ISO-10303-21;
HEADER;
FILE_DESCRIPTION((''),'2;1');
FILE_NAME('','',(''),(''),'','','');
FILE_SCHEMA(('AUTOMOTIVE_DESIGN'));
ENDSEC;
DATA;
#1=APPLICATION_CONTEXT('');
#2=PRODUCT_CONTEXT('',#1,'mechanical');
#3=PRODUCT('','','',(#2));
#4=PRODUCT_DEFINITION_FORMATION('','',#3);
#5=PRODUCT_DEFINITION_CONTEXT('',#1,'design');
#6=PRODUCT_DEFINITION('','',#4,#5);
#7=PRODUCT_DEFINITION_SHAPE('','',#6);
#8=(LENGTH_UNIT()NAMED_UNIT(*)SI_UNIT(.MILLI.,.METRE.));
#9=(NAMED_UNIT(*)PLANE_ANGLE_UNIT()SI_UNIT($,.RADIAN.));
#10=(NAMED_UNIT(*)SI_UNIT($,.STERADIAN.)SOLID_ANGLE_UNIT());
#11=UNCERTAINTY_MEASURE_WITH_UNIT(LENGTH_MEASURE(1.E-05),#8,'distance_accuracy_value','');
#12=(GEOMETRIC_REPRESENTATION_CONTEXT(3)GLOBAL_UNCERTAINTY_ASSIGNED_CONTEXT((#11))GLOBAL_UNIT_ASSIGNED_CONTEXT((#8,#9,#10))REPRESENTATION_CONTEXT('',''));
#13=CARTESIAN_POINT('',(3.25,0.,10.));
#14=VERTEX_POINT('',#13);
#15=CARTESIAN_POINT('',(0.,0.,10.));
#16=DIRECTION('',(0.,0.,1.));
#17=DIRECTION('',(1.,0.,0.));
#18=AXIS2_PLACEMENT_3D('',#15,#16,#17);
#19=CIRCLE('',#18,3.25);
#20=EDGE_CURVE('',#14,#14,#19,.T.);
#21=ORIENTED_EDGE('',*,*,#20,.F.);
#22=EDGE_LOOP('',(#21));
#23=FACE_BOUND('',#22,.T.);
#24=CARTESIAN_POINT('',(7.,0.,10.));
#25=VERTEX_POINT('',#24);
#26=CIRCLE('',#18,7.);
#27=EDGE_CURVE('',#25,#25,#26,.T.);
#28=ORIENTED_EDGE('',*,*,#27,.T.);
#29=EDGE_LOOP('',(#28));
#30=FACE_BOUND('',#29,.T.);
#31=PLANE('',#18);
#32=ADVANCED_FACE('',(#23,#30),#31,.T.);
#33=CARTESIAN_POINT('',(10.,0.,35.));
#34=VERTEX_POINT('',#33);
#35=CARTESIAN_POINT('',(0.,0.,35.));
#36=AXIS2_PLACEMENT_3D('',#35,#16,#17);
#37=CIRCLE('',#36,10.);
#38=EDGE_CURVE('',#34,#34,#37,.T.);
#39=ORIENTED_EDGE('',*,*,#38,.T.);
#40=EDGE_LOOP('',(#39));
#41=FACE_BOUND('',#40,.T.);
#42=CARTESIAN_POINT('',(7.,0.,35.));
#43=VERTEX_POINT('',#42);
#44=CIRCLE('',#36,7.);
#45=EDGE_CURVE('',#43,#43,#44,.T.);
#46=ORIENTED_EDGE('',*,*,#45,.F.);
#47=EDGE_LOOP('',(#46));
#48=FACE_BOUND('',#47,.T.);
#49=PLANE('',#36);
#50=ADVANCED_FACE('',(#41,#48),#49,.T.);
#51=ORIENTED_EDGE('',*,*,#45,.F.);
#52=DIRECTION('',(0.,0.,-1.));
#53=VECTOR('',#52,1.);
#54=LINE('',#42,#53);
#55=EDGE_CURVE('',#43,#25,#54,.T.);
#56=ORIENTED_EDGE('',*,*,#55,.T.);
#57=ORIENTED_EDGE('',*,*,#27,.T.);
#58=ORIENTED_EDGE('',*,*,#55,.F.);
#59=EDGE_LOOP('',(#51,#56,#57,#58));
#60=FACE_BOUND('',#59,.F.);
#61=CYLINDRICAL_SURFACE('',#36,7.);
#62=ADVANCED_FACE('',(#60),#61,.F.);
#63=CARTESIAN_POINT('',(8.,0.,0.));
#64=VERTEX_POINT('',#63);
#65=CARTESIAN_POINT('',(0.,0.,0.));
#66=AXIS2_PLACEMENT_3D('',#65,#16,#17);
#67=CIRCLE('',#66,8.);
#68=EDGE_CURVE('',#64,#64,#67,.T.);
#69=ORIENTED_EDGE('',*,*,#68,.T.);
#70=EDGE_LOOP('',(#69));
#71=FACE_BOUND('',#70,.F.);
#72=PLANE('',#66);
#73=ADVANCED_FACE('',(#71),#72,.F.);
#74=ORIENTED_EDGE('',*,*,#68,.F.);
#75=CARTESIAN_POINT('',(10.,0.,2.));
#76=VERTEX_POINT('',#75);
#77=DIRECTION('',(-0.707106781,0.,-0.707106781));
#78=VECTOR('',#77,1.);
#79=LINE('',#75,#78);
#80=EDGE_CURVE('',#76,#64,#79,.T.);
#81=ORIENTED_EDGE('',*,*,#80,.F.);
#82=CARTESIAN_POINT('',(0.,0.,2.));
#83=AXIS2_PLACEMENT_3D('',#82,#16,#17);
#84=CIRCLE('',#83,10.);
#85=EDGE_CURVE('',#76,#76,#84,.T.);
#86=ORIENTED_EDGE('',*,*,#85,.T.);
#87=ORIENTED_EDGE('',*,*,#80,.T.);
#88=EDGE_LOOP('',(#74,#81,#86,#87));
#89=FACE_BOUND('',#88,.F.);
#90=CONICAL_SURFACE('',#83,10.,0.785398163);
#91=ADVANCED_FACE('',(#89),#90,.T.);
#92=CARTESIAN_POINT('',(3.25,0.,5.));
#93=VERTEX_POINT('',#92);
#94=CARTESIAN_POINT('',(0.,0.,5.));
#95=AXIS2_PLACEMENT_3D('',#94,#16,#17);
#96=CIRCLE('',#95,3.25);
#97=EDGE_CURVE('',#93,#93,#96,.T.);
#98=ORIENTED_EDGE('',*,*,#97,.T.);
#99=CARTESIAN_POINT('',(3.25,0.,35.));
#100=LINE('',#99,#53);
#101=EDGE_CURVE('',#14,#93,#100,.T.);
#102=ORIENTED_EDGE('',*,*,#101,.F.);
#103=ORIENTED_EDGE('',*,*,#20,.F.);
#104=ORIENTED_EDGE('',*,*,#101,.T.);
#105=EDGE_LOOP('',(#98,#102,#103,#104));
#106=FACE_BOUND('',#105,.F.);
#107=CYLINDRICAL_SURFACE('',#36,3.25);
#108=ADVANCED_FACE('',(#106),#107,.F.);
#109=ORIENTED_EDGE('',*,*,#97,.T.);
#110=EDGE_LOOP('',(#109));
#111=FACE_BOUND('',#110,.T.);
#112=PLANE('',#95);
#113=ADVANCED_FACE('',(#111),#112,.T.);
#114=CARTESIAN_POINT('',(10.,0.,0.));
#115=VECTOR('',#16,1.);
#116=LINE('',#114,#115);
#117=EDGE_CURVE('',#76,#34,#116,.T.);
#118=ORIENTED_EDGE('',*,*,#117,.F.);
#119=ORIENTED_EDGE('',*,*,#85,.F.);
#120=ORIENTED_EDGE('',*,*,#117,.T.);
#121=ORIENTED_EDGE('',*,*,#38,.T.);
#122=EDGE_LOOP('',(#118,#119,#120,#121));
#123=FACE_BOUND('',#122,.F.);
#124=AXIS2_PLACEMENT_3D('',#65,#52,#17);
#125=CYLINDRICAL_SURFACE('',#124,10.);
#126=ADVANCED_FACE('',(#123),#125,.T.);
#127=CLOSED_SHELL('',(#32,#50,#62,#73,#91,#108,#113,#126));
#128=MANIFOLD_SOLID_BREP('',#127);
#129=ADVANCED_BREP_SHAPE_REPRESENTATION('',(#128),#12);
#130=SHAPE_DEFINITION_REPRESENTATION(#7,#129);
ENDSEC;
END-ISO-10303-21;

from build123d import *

# Parameters (mm, degrees)
F0_R     = 10
F1_DEPTH = 35
F2_R     = 7
F4_DEPTH = 25
F3_R     = 3.25
F5_DEPTH = 30
F6_SIZE  = 2


with BuildPart() as f1:
    # F0 (on Top) → F1 (new body)
    with BuildSketch(Plane.XY):
        Circle(F0_R)
    extrude(amount=F1_DEPTH)

    # F2 (on face) → F4 (cut)
    with BuildSketch(Plane.XY.offset(35)):
        Circle(F2_R)
    extrude(amount=-F4_DEPTH, mode=Mode.SUBTRACT)

    # F3 (on face) → F5 (cut)
    with BuildSketch(Plane.XY.offset(35)):
        Circle(F3_R)
    extrude(amount=-F5_DEPTH, mode=Mode.SUBTRACT)

    # F6
    f6_edges = [f1.edges().sort_by_distance(p)[0] for p in [
        (-10, 0, 0),
    ]]
    chamfer(f6_edges, length=F6_SIZE)


solid = f1.part
